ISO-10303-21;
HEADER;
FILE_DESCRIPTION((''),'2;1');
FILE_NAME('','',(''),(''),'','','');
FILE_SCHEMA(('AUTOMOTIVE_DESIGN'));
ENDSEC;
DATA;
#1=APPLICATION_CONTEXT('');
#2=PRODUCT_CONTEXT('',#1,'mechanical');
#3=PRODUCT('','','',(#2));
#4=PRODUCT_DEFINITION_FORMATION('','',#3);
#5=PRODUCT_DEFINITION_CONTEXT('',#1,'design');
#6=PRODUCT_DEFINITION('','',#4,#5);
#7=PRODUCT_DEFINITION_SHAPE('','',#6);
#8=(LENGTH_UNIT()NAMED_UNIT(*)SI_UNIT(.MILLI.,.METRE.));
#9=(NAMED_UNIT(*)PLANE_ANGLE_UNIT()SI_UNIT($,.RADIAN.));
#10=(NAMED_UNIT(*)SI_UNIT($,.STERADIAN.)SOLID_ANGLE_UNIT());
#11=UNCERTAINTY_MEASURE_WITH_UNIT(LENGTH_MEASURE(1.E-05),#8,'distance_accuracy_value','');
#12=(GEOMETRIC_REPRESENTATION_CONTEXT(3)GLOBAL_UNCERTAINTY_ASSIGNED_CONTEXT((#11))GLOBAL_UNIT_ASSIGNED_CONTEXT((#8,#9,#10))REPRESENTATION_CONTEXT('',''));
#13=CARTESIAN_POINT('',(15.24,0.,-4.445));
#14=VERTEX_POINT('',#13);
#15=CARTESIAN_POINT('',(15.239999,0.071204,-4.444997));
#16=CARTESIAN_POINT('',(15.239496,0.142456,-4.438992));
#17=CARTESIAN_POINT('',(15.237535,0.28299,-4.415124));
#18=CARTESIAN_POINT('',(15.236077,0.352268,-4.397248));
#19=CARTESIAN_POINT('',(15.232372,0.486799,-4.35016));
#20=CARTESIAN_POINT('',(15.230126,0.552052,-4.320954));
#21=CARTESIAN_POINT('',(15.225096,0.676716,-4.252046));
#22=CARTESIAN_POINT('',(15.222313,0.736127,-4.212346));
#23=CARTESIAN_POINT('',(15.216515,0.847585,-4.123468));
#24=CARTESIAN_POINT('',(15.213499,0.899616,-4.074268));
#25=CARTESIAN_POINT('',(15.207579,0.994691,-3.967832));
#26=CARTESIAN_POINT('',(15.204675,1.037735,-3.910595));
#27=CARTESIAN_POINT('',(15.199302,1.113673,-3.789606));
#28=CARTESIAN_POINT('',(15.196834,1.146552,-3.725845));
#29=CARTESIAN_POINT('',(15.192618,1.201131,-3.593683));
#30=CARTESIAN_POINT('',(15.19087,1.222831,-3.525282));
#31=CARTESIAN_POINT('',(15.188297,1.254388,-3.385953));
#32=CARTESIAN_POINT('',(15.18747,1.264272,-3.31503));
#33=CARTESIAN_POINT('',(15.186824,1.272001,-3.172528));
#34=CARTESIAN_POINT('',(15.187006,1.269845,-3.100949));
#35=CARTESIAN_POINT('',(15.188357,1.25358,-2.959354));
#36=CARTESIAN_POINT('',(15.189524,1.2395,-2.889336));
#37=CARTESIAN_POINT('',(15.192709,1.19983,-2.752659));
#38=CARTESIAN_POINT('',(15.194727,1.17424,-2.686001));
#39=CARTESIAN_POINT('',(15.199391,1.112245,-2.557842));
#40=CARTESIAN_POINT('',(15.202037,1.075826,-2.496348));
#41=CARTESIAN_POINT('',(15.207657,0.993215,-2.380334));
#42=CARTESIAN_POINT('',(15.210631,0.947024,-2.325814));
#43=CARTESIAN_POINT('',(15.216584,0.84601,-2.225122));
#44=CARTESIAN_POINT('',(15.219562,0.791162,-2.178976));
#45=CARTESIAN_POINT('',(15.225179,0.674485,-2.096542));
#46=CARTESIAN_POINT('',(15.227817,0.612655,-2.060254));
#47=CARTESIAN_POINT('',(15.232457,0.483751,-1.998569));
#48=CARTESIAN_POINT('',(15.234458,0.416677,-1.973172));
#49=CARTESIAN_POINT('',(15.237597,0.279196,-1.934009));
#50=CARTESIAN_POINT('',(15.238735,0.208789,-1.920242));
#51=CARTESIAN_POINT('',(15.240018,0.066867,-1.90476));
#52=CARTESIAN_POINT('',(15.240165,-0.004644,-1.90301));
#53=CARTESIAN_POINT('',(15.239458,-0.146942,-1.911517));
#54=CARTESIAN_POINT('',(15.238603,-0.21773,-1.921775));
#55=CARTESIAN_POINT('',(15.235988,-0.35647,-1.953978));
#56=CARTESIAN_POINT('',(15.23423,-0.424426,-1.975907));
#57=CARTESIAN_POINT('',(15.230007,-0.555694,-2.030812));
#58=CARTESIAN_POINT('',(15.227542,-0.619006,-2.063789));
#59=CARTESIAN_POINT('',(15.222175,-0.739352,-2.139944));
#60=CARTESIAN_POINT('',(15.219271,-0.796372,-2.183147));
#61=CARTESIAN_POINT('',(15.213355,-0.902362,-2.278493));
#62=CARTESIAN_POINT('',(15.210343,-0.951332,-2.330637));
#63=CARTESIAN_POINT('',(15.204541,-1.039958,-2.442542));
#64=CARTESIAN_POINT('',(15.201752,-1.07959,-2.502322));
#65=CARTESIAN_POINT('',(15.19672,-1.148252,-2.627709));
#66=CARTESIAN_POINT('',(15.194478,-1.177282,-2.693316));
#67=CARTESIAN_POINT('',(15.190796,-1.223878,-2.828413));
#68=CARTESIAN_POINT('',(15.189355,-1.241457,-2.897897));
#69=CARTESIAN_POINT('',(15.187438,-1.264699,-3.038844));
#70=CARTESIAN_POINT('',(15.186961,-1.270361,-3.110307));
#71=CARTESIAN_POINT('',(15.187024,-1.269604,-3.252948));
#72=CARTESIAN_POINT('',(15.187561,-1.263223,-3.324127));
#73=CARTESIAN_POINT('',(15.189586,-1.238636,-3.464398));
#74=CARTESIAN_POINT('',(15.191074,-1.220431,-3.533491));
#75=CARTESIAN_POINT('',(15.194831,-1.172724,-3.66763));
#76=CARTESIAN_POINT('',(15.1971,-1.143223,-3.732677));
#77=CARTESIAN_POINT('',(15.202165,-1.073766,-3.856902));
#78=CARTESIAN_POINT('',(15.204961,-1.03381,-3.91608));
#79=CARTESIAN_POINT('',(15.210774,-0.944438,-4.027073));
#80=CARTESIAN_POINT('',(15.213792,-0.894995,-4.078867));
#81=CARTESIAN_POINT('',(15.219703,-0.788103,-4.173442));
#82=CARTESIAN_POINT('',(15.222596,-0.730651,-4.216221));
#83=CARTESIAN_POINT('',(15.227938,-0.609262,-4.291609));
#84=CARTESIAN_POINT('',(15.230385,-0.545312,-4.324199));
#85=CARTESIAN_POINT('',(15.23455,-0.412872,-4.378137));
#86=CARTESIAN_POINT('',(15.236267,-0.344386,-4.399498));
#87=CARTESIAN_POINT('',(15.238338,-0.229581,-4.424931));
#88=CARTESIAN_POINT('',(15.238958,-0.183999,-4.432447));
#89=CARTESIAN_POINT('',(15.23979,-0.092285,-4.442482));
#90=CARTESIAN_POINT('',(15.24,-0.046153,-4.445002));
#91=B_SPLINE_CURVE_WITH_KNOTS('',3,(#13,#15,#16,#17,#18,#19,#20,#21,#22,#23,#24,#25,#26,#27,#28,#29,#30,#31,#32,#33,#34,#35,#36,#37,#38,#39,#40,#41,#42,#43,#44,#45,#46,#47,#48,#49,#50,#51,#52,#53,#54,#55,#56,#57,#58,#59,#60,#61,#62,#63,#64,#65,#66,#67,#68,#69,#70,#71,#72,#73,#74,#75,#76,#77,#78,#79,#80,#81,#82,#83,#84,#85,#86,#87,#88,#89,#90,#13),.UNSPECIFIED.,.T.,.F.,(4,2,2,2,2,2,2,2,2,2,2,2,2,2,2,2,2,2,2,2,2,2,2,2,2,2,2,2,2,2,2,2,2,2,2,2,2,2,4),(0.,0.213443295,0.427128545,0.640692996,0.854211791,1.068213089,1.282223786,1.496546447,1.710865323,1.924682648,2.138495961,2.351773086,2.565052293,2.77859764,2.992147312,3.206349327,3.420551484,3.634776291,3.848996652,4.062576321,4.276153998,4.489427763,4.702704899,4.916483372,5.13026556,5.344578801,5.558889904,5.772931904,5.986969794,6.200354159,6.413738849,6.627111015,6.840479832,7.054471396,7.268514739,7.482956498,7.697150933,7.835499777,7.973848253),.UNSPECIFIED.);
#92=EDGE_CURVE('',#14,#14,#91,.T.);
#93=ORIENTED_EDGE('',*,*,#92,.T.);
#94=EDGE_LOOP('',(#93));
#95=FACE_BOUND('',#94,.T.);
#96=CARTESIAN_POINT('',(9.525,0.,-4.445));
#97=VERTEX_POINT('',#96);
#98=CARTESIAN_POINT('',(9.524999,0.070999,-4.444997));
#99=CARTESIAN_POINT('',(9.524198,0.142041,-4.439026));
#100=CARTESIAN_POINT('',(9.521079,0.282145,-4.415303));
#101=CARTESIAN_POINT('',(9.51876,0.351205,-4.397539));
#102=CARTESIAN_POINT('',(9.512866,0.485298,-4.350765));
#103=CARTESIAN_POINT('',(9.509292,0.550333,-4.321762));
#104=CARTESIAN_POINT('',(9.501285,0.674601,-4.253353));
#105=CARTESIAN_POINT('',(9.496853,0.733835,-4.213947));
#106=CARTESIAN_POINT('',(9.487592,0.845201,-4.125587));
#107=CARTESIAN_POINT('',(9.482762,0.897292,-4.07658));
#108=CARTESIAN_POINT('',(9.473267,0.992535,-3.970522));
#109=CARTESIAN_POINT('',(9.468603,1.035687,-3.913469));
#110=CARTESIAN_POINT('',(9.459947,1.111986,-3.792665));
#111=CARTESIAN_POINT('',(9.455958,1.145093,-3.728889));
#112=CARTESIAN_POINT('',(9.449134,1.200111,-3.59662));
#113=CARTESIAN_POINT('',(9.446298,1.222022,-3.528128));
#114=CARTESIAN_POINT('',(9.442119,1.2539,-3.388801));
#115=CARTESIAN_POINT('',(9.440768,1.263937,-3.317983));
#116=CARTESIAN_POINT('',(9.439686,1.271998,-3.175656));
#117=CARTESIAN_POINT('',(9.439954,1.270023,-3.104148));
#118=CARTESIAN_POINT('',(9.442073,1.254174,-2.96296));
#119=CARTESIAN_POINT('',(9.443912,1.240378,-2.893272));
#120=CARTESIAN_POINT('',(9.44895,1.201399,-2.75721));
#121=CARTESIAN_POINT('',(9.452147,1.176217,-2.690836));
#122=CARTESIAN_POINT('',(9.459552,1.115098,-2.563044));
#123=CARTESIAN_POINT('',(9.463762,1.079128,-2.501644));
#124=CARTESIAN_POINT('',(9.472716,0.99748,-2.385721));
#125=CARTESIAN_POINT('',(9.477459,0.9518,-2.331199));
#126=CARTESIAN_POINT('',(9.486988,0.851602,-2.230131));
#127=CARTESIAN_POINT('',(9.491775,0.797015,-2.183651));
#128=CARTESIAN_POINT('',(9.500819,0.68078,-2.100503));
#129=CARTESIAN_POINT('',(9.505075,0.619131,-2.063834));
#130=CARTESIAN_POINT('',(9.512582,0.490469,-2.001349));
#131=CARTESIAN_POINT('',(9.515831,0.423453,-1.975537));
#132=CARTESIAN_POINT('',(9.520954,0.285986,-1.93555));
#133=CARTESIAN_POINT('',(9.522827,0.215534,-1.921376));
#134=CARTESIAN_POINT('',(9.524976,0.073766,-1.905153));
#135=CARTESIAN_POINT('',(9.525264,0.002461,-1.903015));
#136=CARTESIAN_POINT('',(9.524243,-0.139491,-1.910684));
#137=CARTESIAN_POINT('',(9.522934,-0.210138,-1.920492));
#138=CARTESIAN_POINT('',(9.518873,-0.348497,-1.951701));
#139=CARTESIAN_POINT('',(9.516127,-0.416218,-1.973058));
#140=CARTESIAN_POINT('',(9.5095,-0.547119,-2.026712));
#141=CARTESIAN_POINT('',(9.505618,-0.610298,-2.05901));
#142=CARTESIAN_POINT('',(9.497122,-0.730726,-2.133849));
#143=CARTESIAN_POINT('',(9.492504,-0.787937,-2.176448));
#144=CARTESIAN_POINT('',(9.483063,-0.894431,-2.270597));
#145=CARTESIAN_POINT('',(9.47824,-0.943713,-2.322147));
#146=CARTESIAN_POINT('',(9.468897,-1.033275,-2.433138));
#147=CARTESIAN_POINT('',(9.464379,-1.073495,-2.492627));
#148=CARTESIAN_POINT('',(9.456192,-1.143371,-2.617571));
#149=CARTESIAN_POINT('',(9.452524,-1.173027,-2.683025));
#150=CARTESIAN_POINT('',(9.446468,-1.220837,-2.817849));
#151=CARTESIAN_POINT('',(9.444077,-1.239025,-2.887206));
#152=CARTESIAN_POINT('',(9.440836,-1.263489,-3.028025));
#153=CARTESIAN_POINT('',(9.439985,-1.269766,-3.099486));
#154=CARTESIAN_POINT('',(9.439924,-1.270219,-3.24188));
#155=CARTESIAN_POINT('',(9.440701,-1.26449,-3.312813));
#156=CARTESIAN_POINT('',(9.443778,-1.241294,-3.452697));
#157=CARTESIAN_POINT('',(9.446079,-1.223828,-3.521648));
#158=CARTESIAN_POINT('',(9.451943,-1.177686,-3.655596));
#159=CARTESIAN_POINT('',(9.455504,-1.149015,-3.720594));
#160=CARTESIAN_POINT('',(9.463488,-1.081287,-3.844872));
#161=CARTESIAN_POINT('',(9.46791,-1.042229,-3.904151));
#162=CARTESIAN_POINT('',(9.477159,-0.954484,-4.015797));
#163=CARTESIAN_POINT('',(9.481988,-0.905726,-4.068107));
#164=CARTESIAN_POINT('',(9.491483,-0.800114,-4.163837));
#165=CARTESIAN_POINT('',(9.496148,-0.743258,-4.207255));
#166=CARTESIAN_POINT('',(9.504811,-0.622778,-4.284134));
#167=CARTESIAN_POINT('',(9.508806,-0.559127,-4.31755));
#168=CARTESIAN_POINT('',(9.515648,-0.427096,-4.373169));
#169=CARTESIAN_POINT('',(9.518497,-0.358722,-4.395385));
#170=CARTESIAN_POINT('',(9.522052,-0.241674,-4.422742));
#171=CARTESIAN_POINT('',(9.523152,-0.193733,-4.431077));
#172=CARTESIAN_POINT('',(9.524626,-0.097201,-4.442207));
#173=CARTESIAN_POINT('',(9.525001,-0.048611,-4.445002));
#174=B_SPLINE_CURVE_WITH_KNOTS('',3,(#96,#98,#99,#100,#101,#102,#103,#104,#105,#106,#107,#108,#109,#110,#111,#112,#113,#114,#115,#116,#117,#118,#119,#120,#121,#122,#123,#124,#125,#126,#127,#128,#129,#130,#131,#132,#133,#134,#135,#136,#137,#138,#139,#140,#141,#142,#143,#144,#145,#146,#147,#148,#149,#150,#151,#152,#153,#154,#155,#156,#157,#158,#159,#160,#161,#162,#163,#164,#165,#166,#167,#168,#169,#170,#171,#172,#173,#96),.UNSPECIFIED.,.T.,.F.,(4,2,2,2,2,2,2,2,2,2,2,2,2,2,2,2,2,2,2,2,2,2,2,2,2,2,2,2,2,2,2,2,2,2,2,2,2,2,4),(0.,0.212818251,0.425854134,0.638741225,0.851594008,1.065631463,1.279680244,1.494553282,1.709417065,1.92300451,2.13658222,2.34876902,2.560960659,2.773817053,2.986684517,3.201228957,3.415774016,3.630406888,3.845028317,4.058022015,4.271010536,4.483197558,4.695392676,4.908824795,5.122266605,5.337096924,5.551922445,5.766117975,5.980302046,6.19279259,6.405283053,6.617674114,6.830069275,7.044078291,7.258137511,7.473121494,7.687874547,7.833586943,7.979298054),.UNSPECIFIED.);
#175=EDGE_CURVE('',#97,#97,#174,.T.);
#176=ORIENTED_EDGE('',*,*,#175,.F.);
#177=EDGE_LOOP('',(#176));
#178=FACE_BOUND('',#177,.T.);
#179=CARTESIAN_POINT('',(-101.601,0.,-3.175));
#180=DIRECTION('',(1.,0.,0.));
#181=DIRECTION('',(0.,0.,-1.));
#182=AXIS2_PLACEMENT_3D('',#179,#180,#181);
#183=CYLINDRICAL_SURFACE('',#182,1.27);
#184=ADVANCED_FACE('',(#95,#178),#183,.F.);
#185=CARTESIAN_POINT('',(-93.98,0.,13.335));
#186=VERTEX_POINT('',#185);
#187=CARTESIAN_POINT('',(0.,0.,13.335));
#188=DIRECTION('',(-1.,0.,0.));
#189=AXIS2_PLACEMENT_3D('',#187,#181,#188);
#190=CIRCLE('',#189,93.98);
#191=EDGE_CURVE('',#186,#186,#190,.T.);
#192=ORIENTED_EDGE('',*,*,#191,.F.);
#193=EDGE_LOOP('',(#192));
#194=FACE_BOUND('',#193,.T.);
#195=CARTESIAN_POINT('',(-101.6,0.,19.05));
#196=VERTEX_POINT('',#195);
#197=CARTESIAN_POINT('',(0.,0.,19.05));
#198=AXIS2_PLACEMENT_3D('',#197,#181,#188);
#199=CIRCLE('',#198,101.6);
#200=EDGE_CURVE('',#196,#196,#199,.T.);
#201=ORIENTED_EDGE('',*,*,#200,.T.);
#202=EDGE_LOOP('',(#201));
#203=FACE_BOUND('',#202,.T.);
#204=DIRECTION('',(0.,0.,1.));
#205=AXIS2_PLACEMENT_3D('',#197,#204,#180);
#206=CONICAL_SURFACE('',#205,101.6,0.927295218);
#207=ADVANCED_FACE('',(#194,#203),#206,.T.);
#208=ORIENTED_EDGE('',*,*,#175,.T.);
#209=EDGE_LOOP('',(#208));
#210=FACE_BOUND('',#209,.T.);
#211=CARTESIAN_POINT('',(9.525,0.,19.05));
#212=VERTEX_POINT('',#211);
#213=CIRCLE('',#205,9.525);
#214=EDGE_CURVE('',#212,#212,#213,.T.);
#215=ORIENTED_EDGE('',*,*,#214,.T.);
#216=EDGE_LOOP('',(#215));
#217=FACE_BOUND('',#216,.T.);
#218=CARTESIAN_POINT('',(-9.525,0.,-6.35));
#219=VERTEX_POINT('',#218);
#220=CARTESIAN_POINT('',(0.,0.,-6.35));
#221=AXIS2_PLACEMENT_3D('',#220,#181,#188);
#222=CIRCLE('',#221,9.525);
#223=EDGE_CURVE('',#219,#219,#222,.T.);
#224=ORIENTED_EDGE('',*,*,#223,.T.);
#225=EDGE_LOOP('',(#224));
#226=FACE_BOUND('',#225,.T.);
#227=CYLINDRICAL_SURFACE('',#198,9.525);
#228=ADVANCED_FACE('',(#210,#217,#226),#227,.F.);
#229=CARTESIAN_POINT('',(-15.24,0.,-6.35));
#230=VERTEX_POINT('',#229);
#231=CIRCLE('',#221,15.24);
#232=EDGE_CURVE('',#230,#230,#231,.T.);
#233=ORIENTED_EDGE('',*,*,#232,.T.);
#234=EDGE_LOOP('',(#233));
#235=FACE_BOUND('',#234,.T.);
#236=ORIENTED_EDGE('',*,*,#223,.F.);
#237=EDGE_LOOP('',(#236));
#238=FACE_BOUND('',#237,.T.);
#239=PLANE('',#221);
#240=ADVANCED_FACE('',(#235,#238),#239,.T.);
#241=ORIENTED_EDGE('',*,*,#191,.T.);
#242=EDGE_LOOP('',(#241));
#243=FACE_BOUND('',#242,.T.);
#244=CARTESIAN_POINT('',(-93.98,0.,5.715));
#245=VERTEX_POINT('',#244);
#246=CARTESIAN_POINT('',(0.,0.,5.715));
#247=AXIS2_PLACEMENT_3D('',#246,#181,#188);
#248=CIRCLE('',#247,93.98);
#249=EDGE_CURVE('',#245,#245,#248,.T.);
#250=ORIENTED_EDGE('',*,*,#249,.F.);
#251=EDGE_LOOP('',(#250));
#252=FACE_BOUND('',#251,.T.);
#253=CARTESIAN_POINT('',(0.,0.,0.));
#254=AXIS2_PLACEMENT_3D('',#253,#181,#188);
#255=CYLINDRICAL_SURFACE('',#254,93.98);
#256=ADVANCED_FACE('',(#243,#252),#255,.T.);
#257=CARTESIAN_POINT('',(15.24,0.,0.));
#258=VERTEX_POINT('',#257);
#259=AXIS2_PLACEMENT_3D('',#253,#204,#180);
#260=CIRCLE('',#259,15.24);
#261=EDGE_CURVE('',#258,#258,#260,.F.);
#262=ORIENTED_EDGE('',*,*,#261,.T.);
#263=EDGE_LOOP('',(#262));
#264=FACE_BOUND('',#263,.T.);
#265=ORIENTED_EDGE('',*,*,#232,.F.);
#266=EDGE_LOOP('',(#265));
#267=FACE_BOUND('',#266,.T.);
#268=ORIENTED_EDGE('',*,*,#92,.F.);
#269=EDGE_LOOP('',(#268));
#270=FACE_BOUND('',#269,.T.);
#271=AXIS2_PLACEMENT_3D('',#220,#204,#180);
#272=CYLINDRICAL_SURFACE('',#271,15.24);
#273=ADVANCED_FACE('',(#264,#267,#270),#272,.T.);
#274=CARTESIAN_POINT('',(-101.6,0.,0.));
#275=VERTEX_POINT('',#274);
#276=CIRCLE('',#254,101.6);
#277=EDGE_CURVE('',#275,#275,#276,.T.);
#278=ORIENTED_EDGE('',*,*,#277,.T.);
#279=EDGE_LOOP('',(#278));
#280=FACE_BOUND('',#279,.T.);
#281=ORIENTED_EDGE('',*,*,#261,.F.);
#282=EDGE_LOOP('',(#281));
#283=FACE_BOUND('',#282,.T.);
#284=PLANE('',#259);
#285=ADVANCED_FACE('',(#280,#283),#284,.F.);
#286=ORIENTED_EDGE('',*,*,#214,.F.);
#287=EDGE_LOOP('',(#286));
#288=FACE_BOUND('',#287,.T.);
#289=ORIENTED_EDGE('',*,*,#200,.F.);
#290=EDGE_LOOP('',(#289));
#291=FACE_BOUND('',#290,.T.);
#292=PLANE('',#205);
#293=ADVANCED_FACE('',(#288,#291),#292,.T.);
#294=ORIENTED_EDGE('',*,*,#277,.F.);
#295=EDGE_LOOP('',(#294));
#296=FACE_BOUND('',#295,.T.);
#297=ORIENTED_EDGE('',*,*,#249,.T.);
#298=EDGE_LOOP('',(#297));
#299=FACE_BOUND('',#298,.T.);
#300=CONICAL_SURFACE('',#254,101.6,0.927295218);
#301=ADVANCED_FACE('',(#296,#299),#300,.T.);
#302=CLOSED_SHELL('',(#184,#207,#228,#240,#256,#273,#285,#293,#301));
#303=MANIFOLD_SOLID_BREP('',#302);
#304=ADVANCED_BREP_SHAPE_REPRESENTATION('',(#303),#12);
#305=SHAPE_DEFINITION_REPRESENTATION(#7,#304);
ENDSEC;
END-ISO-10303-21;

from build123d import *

# Parameters (mm, degrees)
SKETCH1_R               = 101.6
SKETCH1_R_2             = 9.525
BOSS_EXTRUDE1_DEPTH     = 19.05
BOSS_EXTRUDE2_START     = 6.35
SKETCH3_R               = 15.24
SKETCH3_R_2             = 9.525
BOSS_EXTRUDE2_DEPTH     = 6.35
CUT_EXTRUDE1_REACH      = 158.003
CUT_EXTRUDE1_END_RADIUS = 9.525
SKETCH5_R               = 1.27


with BuildPart() as part:
    # Sketch1 → Boss-Extrude1 (new body)
    with BuildSketch(Plane.XY):
        with Locations(Location((0, 0, 0), (0, 0, 180))):
            Circle(SKETCH1_R)
        with Locations(Location((0, 0, 0), (0, 0, 180))):
            Circle(SKETCH1_R_2, mode=Mode.SUBTRACT)
    extrude(amount=BOSS_EXTRUDE1_DEPTH)

    # Sketch2 → Cut-Revolve1 (revolve, cut)
    with BuildSketch(Plane(origin=(0, 0, 0), x_dir=(0, 0, -1), z_dir=(1, 0, 0)), mode=Mode.PRIVATE) as cut_revolve1_sk:
        Polygon((0, 101.6), (0, 104.858333469), (-19.05, 104.858333469), (-19.05, 101.6), (-13.335, 93.98), (-5.715, 93.98), align=None)
    revolve(cut_revolve1_sk.sketch.rotate(Axis((0, 0, 0), (0, 0, 1)), 90), axis=Axis((0, 0, 0), (0, 0, 1)), mode=Mode.SUBTRACT)

    # Sketch3 → Boss-Extrude2 (add)
    with BuildSketch(Plane(origin=(0, 0, 0), x_dir=(-1, 0, 0), z_dir=(0, 0, -1)).offset(BOSS_EXTRUDE2_START)):
        with Locations(Location((0, 0, 0), (0, 0, 180))):
            Circle(SKETCH3_R)
        Circle(SKETCH3_R_2, mode=Mode.SUBTRACT)
    extrude(amount=-BOSS_EXTRUDE2_DEPTH)

    # Cut-Extrude1: up to this cylinder (the profile starts outside it)
    cut_extrude1_end = Plane(origin=(0, 0, -3.175), z_dir=(0, 0, -1)) * Cylinder(CUT_EXTRUDE1_END_RADIUS, 336.056, mode=Mode.PRIVATE)
    # Sketch5 → Cut-Extrude1 (cut, up to the surface)
    with BuildSketch(Plane(origin=(15.24, 0, 0), x_dir=(0, 0, -1), z_dir=(1, 0, 0)), mode=Mode.PRIVATE) as cut_extrude1_sk1:
        with Locations((3.175, 0)):
            Circle(SKETCH5_R)
    cut_extrude1_tool1 = extrude(cut_extrude1_sk1.sketch, amount=-CUT_EXTRUDE1_REACH, mode=Mode.PRIVATE) - cut_extrude1_end
    add(cut_extrude1_tool1.solids().sort_by_distance((15.24, 0, -3.175))[0], mode=Mode.SUBTRACT)


solid = part.part
